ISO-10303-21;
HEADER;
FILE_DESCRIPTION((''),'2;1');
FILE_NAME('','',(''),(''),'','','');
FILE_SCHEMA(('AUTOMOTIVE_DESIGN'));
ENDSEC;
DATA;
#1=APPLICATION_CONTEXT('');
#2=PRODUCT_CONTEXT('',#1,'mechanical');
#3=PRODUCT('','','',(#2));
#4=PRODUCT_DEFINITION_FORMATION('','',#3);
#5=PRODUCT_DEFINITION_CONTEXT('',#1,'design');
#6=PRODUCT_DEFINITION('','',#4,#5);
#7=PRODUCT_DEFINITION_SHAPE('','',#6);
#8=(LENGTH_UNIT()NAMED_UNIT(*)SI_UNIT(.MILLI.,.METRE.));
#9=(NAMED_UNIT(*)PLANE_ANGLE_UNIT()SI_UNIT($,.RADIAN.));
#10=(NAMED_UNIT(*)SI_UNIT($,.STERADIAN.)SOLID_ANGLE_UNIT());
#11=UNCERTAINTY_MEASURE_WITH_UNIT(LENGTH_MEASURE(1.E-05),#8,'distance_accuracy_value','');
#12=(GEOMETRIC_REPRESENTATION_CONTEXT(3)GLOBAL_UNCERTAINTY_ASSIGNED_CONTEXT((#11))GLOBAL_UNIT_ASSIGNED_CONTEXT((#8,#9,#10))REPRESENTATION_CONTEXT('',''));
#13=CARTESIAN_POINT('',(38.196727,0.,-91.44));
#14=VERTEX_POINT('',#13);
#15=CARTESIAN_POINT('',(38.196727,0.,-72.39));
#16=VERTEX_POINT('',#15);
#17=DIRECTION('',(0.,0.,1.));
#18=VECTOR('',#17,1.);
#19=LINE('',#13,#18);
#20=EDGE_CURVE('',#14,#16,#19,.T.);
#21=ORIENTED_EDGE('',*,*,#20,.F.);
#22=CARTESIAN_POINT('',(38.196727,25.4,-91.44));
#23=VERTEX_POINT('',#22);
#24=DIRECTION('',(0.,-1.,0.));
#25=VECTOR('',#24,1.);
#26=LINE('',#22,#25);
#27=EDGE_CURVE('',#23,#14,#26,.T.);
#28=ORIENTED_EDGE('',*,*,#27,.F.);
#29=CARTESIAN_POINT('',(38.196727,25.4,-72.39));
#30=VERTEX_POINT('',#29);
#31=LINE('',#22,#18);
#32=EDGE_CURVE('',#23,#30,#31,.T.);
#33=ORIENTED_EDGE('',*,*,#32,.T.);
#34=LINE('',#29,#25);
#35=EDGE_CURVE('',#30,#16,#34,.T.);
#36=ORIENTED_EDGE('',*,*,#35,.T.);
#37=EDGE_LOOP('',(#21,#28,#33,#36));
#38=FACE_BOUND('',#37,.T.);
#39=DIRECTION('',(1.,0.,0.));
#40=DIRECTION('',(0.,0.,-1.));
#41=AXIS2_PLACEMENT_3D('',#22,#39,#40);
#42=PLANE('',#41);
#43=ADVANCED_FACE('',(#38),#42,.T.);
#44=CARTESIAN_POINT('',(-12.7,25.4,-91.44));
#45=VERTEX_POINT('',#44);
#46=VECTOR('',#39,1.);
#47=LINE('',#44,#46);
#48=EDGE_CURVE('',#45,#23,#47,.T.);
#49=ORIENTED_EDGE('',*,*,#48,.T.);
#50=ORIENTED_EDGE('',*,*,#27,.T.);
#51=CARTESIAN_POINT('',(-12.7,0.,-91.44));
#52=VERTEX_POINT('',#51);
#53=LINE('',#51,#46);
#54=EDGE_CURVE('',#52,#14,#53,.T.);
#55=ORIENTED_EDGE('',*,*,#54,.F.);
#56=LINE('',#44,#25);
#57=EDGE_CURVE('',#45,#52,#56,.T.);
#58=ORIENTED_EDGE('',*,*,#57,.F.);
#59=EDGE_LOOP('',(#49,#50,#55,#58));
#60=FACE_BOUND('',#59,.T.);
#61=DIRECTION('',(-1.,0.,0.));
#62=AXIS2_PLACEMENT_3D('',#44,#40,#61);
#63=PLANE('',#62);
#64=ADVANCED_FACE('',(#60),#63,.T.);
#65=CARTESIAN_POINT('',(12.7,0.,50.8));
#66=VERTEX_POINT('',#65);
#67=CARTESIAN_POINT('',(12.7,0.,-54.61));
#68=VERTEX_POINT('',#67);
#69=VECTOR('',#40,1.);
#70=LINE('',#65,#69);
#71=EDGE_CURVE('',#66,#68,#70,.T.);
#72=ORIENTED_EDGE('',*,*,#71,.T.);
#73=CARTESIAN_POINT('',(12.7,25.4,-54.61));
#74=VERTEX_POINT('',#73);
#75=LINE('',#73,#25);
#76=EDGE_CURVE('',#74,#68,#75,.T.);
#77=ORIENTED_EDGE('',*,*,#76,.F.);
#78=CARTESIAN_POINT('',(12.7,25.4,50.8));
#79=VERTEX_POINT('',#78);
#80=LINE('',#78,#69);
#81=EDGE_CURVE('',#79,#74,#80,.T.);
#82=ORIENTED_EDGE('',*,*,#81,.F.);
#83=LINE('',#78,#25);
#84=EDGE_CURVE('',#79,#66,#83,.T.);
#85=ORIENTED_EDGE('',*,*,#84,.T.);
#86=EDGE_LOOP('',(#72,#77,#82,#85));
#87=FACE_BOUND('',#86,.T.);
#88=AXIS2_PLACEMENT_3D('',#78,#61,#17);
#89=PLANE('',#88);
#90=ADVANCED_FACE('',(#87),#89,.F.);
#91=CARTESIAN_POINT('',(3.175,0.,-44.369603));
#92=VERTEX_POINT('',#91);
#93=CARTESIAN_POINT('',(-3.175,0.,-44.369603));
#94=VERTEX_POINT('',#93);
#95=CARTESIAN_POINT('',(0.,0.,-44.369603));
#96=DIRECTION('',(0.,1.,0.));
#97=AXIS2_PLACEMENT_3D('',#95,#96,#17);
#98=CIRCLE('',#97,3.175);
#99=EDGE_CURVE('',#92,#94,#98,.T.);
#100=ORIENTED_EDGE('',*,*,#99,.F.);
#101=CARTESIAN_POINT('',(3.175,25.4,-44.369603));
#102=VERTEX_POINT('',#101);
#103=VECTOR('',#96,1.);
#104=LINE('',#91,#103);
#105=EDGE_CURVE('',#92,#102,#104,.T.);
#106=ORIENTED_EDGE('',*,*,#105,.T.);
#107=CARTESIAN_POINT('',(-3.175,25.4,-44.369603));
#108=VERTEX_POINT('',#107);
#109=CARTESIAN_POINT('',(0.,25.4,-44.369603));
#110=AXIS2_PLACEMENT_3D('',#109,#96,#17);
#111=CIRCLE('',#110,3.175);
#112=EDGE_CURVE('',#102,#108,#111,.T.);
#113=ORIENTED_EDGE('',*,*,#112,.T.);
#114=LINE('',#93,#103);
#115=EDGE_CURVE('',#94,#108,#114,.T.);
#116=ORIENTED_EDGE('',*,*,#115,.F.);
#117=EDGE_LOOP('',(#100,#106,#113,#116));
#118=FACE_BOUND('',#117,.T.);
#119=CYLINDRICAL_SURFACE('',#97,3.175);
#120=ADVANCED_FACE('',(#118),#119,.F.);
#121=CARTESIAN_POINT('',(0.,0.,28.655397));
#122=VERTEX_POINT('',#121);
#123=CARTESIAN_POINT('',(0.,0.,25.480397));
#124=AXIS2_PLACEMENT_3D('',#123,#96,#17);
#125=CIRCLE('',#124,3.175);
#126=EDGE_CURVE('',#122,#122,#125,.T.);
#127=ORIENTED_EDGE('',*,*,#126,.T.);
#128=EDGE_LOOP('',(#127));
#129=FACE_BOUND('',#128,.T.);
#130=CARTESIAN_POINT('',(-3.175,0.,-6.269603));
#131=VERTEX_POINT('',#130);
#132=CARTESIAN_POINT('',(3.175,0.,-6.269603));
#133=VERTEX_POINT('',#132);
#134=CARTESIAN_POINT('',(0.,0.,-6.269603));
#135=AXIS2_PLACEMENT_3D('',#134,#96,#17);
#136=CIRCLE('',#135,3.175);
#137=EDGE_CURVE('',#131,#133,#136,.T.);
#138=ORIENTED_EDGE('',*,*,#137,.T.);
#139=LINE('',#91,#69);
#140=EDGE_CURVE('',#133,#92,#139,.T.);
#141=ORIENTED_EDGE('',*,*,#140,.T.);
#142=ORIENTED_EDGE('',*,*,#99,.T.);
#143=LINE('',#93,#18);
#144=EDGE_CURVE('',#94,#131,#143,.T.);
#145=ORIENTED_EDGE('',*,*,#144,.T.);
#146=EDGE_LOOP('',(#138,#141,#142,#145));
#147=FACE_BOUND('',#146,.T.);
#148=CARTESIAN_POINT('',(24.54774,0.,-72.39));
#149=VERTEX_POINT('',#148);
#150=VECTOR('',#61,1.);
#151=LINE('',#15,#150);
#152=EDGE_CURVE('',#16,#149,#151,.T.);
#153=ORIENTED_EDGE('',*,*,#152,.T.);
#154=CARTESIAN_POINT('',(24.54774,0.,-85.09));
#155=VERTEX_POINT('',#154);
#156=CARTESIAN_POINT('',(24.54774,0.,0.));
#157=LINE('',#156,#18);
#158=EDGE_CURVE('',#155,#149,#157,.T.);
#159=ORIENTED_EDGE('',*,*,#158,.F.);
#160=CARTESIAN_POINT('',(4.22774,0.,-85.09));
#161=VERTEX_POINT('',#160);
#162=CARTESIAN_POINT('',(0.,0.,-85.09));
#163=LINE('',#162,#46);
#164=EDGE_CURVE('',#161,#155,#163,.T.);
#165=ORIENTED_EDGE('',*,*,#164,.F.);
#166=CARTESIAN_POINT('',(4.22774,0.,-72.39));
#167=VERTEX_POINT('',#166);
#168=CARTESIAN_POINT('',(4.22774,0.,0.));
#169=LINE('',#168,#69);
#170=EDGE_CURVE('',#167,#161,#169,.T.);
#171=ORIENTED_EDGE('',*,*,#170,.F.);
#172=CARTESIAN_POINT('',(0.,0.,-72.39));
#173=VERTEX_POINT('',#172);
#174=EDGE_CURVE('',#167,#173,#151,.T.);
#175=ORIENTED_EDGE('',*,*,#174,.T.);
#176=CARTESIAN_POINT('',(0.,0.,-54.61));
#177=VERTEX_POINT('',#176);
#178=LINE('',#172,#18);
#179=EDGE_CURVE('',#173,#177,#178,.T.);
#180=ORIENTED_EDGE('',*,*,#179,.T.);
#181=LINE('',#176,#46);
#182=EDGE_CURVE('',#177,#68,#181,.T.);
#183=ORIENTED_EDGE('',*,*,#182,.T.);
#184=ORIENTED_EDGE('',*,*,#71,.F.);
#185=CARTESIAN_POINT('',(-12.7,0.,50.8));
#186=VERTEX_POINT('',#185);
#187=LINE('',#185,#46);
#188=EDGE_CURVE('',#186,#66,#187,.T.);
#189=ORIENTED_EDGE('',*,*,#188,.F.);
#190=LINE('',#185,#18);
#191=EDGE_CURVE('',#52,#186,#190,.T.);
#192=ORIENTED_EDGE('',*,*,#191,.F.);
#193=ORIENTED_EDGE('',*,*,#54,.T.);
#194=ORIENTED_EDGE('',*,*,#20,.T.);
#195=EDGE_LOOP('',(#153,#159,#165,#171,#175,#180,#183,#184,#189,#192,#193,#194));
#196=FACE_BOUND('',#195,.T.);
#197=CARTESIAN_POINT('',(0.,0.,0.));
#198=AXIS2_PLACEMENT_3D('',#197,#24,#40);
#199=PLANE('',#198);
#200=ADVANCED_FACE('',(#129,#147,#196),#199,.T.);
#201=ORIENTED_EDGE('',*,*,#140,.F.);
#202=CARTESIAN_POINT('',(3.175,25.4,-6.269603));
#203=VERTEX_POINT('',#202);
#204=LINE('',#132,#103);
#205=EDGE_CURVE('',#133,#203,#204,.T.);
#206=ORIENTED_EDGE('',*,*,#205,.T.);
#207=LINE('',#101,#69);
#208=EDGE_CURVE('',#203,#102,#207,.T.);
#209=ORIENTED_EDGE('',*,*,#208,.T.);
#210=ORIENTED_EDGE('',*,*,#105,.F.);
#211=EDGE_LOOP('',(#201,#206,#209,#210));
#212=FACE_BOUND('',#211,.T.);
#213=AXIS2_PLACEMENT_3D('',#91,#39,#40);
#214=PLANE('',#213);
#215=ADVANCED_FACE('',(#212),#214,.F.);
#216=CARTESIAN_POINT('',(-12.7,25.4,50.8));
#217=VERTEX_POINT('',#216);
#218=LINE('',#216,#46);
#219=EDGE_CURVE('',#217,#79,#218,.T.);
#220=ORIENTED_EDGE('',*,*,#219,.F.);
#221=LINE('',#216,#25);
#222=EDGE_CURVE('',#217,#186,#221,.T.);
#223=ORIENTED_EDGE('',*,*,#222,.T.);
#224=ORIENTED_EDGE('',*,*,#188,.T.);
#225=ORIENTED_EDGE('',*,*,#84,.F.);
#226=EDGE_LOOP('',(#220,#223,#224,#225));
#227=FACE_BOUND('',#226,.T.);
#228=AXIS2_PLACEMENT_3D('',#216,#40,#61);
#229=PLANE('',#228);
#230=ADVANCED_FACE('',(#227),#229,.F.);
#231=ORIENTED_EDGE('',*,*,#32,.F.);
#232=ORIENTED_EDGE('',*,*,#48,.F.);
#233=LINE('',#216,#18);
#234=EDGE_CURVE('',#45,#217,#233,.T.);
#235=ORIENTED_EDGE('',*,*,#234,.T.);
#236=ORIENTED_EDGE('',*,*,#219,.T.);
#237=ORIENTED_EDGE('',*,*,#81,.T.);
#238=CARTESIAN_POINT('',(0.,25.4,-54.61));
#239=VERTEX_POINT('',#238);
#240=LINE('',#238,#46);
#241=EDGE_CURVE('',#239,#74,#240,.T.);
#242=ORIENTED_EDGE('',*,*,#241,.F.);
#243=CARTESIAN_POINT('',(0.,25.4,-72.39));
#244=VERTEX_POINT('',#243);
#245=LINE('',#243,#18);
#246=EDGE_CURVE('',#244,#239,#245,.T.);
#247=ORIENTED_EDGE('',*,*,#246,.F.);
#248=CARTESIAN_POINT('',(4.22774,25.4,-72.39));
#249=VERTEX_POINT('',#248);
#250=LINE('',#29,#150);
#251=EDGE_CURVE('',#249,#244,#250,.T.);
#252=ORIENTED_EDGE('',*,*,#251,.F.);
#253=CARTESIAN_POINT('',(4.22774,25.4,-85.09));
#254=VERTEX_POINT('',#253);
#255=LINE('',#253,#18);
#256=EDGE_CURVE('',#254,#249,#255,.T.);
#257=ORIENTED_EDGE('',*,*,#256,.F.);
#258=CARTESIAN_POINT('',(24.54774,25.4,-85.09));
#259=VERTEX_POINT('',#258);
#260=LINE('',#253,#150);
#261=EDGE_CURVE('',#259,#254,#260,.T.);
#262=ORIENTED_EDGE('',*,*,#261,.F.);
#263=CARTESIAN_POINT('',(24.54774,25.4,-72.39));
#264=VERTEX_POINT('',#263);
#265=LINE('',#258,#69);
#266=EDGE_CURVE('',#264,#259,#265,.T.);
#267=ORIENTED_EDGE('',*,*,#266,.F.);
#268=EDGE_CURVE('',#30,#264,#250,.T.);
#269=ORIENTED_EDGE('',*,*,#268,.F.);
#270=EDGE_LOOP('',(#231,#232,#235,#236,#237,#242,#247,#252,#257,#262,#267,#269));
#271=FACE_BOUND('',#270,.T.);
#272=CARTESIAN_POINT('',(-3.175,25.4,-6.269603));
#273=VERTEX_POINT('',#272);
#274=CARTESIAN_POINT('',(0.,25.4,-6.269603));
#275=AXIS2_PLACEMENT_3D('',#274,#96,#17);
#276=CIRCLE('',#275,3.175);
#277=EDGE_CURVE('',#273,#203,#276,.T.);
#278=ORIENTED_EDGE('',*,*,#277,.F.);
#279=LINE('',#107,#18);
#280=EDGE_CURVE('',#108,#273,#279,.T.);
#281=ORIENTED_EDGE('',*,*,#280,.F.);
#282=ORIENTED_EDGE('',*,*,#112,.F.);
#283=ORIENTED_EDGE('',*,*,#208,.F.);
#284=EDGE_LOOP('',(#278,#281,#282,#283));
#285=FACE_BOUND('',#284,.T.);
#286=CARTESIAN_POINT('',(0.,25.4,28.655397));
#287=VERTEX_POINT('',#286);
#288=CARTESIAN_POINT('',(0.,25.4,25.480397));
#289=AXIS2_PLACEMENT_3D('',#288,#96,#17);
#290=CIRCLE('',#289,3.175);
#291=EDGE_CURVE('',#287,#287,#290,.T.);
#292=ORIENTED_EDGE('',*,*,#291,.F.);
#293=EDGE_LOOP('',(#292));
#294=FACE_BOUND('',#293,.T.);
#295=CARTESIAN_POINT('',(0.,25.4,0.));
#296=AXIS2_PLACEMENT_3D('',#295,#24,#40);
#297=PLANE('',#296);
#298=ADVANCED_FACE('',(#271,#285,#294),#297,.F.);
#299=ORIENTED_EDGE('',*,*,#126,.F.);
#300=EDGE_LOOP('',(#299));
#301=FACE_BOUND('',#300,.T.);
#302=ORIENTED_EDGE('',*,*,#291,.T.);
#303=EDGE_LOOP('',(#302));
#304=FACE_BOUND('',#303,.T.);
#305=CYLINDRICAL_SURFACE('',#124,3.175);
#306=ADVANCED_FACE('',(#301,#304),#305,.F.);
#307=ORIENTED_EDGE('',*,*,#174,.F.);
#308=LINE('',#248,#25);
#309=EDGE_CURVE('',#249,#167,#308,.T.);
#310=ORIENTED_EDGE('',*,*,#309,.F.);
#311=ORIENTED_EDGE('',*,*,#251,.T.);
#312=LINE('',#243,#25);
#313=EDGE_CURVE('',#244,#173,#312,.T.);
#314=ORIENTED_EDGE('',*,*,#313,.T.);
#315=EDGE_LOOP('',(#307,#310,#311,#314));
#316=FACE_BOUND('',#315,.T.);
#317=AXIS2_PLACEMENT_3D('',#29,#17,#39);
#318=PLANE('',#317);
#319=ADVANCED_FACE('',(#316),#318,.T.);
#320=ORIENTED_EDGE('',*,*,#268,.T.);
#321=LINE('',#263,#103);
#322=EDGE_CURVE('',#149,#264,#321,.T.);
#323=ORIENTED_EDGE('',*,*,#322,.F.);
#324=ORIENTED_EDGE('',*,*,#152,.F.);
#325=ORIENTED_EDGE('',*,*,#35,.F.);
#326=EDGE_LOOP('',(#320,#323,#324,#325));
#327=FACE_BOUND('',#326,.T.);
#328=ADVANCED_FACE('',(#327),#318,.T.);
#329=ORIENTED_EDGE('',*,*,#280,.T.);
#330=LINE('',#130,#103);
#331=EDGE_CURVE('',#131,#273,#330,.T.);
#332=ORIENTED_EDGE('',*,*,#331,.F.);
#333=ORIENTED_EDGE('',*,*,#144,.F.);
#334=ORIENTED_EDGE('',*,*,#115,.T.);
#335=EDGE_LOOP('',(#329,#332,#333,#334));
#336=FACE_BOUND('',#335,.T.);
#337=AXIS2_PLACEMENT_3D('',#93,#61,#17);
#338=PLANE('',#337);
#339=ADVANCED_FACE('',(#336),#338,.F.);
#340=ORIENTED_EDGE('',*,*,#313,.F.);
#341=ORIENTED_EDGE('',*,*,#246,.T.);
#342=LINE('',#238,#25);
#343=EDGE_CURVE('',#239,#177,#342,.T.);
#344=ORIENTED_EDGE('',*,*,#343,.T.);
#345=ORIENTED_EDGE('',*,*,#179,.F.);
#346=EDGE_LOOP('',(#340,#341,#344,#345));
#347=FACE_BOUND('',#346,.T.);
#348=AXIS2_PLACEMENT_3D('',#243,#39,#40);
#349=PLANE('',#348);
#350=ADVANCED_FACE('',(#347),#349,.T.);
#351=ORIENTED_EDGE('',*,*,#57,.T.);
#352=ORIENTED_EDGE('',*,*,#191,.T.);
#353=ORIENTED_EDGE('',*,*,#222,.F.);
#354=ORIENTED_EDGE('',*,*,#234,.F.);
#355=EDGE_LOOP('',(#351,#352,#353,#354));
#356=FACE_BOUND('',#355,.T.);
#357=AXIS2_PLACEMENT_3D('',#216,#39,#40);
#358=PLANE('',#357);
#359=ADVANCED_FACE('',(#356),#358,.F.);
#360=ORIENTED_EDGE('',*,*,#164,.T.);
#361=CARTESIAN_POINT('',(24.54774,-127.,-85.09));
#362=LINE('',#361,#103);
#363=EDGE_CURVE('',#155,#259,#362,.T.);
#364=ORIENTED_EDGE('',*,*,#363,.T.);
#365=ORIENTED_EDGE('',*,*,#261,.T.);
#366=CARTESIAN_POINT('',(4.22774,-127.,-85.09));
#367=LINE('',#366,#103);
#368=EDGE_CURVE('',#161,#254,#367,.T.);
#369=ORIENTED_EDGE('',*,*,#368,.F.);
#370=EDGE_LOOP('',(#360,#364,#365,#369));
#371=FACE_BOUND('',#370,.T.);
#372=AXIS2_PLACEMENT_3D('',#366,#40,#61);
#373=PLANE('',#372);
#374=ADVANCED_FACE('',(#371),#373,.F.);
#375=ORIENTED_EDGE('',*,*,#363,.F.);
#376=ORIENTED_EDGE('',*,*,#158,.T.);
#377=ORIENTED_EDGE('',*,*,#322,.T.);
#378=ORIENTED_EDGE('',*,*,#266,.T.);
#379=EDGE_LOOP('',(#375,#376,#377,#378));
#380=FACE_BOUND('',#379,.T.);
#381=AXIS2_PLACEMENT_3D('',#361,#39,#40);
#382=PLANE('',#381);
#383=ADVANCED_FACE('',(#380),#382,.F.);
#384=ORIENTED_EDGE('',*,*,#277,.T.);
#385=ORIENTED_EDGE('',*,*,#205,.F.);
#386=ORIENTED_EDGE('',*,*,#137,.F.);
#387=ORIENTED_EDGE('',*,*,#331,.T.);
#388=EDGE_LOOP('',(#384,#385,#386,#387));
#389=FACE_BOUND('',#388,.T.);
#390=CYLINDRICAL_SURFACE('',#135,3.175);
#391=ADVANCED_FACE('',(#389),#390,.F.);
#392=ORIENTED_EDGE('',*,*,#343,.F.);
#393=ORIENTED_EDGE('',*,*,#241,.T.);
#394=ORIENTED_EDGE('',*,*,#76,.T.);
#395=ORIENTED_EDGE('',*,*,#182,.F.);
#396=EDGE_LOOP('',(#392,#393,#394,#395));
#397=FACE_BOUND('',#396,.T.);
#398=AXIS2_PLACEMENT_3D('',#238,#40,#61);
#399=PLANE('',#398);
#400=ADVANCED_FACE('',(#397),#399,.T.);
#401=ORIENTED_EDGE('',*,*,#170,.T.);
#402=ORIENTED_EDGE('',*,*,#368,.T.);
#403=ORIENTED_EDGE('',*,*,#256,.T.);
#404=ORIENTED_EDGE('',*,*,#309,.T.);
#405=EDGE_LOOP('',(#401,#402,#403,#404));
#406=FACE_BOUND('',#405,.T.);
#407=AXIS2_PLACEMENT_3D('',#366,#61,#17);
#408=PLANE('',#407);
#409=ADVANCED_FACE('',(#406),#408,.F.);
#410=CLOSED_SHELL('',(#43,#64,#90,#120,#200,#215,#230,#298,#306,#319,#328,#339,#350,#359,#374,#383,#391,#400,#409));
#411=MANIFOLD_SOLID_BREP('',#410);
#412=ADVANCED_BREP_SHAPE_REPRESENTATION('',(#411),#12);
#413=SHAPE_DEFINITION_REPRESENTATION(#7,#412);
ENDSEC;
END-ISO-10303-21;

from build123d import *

# Parameters (mm, degrees)
SKETCH1_W           = 25.4
SKETCH1_H           = 101.6
BOSS_EXTRUDE1_DEPTH = 25.4
SKETCH2_R           = 3.175
CUT_EXTRUDE1_DEPTH  = 59.198711326
BOSS_EXTRUDE2_DEPTH = 25.4
SKETCH4_W           = 20.32
SKETCH4_H           = 12.7
CUT_EXTRUDE2_DEPTH  = 152.4


with BuildPart() as part:
    # Sketch1 → Boss-Extrude1 (new body)
    with BuildSketch(Plane(origin=(0, 0, 0), x_dir=(1, 0, 0), z_dir=(0, 1, 0))):
        Rectangle(SKETCH1_W, SKETCH1_H)
    extrude(amount=BOSS_EXTRUDE1_DEPTH)

    # Sketch2 → Cut-Extrude1 (cut, through all)
    with BuildSketch(Plane(origin=(0, 25.4, 0), x_dir=(1, 0, 0), z_dir=(0, 1, 0))):
        with Locations(Location((0, -25.480397296, 0), (0, 0, 270))):
            Circle(SKETCH2_R)
        with BuildLine():
            Line((3.175, 44.369602704), (3.175, 6.269602704))
            ThreePointArc((3.175, 6.269602704), (0, 3.094602704), (-3.175, 6.269602704))
            Line((-3.175, 6.269602704), (-3.175, 44.369602704))
            ThreePointArc((-3.175, 44.369602704), (0, 47.544602704), (3.175, 44.369602704))
        make_face()
    extrude(amount=-CUT_EXTRUDE1_DEPTH, mode=Mode.SUBTRACT)

    # Sketch3 → Boss-Extrude2 (add)
    with BuildSketch(Plane(origin=(0, 0, 0), x_dir=(1, 0, 0), z_dir=(0, 1, 0))):
        Polygon((-12.7, 50.8), (-12.7, 91.44), (38.196727149, 91.44), (38.196727149, 72.39), (0, 72.39), (0, 54.61), (12.7, 54.61), (12.7, 50.8), align=None)
    extrude(amount=BOSS_EXTRUDE2_DEPTH)

    # Sketch4 → Cut-Extrude2 (cut)
    with BuildSketch(Plane(origin=(0, 25.4, 0), x_dir=(1, 0, 0), z_dir=(0, 1, 0))):
        with Locations((14.387739516, 78.74)):
            Rectangle(SKETCH4_W, SKETCH4_H)
    extrude(amount=-CUT_EXTRUDE2_DEPTH, mode=Mode.SUBTRACT)


solid = part.part
